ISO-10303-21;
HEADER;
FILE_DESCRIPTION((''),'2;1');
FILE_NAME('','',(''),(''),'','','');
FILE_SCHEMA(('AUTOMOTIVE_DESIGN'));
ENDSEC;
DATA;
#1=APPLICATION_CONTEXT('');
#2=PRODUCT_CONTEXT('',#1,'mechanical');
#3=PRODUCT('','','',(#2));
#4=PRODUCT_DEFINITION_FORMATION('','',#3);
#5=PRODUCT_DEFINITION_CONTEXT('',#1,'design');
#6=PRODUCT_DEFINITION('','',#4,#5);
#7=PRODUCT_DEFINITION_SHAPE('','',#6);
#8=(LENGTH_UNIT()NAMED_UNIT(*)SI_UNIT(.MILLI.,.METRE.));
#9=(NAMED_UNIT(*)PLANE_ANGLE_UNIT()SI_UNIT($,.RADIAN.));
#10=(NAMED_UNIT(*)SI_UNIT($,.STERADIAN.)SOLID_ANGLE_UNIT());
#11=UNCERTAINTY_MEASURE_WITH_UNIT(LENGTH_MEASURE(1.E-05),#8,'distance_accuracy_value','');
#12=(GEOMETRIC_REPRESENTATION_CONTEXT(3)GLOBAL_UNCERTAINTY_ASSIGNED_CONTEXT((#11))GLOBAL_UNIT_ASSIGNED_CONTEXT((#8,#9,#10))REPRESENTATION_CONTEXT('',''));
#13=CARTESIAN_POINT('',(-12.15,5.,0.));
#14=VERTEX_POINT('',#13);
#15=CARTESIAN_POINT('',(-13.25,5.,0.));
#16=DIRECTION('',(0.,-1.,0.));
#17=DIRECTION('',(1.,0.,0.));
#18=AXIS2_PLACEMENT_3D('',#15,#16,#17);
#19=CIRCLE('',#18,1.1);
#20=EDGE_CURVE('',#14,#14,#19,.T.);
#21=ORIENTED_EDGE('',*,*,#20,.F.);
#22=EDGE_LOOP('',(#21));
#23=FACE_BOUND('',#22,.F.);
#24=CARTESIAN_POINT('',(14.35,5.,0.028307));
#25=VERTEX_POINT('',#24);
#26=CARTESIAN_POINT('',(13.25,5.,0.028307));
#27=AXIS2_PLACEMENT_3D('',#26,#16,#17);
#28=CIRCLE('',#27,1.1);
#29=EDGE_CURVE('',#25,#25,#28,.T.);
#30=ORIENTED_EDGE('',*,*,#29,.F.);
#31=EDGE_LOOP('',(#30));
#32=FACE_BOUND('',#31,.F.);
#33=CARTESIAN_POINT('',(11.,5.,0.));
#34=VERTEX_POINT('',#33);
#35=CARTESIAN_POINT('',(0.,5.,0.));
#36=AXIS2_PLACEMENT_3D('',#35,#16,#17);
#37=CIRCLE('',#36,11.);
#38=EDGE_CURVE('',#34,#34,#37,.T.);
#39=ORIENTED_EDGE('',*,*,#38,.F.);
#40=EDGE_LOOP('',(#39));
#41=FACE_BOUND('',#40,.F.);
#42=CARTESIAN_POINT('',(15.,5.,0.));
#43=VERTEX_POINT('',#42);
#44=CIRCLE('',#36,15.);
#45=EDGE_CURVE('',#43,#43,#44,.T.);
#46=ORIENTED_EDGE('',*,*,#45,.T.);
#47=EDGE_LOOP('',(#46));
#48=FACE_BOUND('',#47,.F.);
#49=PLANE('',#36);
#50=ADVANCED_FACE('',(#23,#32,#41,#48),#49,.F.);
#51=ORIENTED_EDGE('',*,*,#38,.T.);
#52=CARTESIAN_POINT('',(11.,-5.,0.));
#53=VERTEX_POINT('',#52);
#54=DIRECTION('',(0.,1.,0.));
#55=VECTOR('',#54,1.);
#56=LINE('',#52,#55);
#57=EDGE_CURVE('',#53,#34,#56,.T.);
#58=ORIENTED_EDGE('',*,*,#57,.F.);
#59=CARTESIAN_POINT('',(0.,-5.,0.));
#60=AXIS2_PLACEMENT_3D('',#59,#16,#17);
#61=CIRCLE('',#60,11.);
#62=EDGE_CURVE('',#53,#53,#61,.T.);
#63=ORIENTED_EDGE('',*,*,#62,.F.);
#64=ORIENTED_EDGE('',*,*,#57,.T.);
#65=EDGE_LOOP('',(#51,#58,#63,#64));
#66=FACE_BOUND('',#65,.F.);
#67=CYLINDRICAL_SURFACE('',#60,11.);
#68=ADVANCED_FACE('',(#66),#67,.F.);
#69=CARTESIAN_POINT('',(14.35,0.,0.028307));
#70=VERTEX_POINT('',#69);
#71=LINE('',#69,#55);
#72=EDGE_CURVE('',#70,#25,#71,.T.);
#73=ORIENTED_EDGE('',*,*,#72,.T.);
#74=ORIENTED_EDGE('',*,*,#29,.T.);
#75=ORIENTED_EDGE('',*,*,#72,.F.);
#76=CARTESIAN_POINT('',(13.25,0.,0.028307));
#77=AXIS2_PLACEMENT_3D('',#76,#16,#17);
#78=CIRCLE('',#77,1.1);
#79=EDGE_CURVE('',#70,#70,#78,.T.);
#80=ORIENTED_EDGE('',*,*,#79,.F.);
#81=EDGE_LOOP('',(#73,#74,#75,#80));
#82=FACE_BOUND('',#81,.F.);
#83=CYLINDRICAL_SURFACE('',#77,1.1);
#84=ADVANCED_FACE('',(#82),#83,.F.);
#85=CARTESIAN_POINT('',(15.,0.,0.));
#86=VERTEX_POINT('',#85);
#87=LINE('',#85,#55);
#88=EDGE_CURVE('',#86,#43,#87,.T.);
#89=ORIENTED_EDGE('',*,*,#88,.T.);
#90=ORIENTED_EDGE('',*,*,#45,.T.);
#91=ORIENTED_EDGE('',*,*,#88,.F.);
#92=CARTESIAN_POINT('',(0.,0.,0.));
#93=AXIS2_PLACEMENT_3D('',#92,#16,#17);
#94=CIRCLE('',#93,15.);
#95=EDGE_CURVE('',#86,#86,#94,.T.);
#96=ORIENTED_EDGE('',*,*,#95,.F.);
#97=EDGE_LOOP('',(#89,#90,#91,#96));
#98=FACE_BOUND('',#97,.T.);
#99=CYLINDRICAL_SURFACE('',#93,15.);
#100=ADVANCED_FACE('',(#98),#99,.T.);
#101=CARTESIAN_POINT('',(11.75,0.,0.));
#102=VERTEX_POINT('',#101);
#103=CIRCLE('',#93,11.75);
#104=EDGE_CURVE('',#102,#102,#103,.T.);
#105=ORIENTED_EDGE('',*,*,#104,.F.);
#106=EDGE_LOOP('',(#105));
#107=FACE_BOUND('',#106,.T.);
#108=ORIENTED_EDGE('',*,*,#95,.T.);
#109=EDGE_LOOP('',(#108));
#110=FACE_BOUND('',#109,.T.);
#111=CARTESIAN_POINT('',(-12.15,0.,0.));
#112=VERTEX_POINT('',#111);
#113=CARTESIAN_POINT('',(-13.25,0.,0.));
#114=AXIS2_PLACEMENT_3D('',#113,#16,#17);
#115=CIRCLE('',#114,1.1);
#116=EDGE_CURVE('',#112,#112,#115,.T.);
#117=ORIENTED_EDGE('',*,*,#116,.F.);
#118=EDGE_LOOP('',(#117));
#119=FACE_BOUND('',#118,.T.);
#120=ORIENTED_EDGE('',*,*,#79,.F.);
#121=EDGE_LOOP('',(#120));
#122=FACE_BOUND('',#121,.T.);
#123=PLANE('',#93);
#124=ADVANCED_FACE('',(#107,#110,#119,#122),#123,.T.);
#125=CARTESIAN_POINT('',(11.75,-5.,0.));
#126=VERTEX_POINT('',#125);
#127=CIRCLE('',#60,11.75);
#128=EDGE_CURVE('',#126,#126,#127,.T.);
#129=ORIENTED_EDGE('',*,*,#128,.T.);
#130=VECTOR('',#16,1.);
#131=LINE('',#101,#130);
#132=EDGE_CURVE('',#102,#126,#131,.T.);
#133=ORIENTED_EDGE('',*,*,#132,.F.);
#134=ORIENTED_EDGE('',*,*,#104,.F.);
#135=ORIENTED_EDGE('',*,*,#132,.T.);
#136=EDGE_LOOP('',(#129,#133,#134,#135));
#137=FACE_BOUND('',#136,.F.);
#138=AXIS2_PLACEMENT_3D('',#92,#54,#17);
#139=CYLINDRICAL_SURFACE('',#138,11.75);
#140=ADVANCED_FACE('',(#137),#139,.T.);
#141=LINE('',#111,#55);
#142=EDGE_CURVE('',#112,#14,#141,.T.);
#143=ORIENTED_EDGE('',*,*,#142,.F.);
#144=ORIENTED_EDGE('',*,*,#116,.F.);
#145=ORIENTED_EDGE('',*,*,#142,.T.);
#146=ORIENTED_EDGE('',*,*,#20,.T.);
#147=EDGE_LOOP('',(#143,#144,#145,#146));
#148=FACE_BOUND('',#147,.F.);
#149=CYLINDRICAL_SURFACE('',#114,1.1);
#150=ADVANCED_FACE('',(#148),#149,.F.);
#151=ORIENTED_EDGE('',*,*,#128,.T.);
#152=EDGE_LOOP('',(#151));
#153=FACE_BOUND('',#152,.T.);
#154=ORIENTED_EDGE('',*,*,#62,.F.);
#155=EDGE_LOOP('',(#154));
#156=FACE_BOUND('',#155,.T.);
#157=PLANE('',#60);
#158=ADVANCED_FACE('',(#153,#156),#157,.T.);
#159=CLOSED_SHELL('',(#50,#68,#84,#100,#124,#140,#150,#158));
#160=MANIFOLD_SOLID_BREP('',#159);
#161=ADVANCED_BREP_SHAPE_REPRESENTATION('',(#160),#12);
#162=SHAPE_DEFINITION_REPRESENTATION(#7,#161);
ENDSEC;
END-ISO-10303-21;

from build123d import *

# Parameters (mm, degrees)
F0_R     = 15
F2_DEPTH = 5
F1_R     = 1.1
F3_DEPTH = 5
F4_DEPTH = 5
F5_R     = 11.75
F6_DEPTH = 5
F7_R     = 11
F8_DEPTH = 10


with BuildPart() as f2:
    # F0 (on Front) → F2 (new body)
    with BuildSketch(Plane.XZ):
        Circle(F0_R)
    extrude(amount=-F2_DEPTH)

    # F1 (on Front) → F3 (cut)
    with BuildSketch(Plane.XZ):
        with Locations((-13.25, 0)):
            Circle(F1_R)
    extrude(amount=-F3_DEPTH, mode=Mode.SUBTRACT)

    # F1 (on Front) → F4 (cut)
    with BuildSketch(Plane.XZ):
        with Locations((-13.25, 0)):
            Circle(F1_R)
        with Locations((13.25, 0.028307)):
            Circle(F1_R)
    extrude(amount=-F4_DEPTH, mode=Mode.SUBTRACT)

    # F5 (on face) → F6 (join)
    with BuildSketch(Plane.XZ):
        Circle(F5_R)
    extrude(amount=F6_DEPTH)

    # F7 (on face) → F8 (cut)
    with BuildSketch(Plane.XZ.offset(5)):
        Circle(F7_R)
    extrude(amount=-F8_DEPTH, mode=Mode.SUBTRACT)


solid = f2.part
